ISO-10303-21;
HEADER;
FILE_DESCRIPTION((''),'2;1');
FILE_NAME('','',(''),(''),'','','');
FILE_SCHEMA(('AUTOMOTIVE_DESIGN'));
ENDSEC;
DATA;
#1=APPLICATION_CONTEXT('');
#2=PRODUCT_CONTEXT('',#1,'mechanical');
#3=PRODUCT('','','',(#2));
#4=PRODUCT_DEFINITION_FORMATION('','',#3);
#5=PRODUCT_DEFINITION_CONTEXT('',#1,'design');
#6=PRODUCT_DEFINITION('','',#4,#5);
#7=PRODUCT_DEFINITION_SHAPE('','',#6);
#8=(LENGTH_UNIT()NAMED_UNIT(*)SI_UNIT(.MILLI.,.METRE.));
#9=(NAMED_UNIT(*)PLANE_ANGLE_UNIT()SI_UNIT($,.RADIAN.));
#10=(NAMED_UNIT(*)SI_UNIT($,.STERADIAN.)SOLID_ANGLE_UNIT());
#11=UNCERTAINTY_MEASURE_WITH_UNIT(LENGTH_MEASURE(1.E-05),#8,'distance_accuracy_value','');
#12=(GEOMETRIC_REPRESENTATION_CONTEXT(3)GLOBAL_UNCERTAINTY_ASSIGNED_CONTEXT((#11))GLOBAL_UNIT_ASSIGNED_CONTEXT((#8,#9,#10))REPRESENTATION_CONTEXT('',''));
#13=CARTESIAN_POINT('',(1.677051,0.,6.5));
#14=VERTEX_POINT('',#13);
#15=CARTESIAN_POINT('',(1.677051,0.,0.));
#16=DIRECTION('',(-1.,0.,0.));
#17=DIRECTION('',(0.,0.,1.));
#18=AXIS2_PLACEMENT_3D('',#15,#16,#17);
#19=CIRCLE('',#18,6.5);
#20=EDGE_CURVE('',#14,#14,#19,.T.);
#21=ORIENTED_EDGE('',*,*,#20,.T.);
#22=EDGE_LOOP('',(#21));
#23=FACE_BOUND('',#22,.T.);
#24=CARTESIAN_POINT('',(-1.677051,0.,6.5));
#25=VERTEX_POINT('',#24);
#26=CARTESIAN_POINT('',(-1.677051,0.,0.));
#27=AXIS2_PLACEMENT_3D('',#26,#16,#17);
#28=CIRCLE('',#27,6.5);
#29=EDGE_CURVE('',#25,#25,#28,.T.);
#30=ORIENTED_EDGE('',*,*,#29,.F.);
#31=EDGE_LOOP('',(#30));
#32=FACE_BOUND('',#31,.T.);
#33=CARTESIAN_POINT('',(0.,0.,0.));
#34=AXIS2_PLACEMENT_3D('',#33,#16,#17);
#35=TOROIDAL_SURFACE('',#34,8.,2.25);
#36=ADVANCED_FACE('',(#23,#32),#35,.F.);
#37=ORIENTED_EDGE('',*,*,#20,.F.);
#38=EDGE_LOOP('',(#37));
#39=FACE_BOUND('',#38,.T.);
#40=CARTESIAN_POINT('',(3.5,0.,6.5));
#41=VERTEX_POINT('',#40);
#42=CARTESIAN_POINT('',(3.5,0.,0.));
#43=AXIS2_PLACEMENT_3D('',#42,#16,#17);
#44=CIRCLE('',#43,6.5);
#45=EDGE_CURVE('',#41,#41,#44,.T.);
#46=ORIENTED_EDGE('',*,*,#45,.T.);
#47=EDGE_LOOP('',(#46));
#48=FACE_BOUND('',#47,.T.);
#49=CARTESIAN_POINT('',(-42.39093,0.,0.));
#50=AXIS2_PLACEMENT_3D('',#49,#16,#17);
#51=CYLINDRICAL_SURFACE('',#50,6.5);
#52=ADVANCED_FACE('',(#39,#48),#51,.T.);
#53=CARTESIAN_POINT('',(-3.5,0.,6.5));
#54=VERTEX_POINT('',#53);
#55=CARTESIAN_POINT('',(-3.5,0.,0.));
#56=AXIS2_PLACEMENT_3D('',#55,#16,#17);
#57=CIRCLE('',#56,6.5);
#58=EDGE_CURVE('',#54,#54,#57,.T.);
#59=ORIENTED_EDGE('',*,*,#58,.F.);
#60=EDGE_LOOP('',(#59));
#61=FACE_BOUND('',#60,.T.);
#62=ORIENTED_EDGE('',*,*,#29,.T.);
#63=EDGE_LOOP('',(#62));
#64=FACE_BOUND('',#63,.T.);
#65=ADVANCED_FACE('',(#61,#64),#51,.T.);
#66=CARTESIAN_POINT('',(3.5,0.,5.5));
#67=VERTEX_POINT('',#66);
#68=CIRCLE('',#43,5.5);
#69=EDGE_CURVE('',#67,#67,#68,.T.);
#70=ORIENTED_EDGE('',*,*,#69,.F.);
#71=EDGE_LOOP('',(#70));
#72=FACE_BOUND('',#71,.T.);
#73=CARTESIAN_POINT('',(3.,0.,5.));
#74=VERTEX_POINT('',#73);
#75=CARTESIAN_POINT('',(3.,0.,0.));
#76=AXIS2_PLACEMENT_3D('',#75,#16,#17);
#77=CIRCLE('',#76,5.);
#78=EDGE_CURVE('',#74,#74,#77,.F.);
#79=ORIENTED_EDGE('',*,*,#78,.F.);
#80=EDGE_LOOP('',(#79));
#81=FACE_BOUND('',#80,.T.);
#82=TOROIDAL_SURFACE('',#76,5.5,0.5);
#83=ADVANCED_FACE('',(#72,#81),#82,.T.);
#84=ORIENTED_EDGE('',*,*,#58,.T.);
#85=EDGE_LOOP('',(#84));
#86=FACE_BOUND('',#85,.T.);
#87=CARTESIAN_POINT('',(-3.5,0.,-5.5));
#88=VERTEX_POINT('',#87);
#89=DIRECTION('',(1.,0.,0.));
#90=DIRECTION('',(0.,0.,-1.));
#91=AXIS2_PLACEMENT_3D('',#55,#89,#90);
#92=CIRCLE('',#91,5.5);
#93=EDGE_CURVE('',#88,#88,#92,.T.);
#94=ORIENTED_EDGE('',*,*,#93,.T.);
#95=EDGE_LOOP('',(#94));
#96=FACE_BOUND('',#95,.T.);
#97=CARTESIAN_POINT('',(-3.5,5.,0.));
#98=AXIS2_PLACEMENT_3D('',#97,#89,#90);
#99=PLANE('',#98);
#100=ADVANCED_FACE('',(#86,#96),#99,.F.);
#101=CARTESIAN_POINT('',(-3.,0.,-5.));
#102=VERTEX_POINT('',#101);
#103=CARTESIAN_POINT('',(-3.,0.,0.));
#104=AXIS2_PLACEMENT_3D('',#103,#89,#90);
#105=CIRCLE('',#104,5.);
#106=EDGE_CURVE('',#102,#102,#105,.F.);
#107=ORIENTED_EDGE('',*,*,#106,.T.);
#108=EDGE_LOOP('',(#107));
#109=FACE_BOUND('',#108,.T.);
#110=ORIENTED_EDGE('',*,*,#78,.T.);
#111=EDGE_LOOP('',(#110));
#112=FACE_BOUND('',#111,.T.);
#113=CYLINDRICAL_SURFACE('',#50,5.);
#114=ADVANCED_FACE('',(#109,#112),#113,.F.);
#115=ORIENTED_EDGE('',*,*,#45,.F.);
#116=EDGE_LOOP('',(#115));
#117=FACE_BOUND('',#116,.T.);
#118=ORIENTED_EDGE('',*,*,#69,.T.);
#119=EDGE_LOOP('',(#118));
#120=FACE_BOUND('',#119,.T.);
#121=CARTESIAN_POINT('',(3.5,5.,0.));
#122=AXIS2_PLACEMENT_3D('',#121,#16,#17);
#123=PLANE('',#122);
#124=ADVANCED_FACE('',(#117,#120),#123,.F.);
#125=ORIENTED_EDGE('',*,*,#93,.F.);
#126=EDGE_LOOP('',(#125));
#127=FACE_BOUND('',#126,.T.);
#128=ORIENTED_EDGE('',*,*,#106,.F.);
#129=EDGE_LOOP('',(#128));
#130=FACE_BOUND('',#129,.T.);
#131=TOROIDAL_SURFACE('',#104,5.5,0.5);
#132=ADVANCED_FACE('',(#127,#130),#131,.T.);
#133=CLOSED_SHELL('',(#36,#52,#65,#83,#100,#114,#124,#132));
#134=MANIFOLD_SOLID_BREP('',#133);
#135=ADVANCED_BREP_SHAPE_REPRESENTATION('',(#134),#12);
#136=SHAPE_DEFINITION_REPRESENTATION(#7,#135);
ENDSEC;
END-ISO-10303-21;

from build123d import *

# Parameters (mm, degrees)
FILLET1_R = 0.5


with BuildPart() as part:
    # Sketch1 → Revolve1 (revolve)
    with BuildSketch(Plane.XY):
        with BuildLine():
            Line((1.677050983, 6.5), (3.5, 6.5))
            Line((3.5, 6.5), (3.5, 5))
            Line((3.5, 5), (-3.5, 5))
            Line((-3.5, 5), (-3.5, 6.5))
            Line((-3.5, 6.5), (-1.677050983, 6.5))
            ThreePointArc((-1.677050983, 6.5), (0, 5.75), (1.677050983, 6.5))
        make_face()
    revolve(axis=Axis((-42.390929705, 0, 0), (1, 0, 0)))

    # Fillet1
    fillet1_edges = [part.edges().sort_by_distance(p)[0] for p in [
        (3.5, -5, 0),
        (-3.5, -5, 0),
    ]]
    fillet(fillet1_edges, radius=FILLET1_R)


solid = part.part
